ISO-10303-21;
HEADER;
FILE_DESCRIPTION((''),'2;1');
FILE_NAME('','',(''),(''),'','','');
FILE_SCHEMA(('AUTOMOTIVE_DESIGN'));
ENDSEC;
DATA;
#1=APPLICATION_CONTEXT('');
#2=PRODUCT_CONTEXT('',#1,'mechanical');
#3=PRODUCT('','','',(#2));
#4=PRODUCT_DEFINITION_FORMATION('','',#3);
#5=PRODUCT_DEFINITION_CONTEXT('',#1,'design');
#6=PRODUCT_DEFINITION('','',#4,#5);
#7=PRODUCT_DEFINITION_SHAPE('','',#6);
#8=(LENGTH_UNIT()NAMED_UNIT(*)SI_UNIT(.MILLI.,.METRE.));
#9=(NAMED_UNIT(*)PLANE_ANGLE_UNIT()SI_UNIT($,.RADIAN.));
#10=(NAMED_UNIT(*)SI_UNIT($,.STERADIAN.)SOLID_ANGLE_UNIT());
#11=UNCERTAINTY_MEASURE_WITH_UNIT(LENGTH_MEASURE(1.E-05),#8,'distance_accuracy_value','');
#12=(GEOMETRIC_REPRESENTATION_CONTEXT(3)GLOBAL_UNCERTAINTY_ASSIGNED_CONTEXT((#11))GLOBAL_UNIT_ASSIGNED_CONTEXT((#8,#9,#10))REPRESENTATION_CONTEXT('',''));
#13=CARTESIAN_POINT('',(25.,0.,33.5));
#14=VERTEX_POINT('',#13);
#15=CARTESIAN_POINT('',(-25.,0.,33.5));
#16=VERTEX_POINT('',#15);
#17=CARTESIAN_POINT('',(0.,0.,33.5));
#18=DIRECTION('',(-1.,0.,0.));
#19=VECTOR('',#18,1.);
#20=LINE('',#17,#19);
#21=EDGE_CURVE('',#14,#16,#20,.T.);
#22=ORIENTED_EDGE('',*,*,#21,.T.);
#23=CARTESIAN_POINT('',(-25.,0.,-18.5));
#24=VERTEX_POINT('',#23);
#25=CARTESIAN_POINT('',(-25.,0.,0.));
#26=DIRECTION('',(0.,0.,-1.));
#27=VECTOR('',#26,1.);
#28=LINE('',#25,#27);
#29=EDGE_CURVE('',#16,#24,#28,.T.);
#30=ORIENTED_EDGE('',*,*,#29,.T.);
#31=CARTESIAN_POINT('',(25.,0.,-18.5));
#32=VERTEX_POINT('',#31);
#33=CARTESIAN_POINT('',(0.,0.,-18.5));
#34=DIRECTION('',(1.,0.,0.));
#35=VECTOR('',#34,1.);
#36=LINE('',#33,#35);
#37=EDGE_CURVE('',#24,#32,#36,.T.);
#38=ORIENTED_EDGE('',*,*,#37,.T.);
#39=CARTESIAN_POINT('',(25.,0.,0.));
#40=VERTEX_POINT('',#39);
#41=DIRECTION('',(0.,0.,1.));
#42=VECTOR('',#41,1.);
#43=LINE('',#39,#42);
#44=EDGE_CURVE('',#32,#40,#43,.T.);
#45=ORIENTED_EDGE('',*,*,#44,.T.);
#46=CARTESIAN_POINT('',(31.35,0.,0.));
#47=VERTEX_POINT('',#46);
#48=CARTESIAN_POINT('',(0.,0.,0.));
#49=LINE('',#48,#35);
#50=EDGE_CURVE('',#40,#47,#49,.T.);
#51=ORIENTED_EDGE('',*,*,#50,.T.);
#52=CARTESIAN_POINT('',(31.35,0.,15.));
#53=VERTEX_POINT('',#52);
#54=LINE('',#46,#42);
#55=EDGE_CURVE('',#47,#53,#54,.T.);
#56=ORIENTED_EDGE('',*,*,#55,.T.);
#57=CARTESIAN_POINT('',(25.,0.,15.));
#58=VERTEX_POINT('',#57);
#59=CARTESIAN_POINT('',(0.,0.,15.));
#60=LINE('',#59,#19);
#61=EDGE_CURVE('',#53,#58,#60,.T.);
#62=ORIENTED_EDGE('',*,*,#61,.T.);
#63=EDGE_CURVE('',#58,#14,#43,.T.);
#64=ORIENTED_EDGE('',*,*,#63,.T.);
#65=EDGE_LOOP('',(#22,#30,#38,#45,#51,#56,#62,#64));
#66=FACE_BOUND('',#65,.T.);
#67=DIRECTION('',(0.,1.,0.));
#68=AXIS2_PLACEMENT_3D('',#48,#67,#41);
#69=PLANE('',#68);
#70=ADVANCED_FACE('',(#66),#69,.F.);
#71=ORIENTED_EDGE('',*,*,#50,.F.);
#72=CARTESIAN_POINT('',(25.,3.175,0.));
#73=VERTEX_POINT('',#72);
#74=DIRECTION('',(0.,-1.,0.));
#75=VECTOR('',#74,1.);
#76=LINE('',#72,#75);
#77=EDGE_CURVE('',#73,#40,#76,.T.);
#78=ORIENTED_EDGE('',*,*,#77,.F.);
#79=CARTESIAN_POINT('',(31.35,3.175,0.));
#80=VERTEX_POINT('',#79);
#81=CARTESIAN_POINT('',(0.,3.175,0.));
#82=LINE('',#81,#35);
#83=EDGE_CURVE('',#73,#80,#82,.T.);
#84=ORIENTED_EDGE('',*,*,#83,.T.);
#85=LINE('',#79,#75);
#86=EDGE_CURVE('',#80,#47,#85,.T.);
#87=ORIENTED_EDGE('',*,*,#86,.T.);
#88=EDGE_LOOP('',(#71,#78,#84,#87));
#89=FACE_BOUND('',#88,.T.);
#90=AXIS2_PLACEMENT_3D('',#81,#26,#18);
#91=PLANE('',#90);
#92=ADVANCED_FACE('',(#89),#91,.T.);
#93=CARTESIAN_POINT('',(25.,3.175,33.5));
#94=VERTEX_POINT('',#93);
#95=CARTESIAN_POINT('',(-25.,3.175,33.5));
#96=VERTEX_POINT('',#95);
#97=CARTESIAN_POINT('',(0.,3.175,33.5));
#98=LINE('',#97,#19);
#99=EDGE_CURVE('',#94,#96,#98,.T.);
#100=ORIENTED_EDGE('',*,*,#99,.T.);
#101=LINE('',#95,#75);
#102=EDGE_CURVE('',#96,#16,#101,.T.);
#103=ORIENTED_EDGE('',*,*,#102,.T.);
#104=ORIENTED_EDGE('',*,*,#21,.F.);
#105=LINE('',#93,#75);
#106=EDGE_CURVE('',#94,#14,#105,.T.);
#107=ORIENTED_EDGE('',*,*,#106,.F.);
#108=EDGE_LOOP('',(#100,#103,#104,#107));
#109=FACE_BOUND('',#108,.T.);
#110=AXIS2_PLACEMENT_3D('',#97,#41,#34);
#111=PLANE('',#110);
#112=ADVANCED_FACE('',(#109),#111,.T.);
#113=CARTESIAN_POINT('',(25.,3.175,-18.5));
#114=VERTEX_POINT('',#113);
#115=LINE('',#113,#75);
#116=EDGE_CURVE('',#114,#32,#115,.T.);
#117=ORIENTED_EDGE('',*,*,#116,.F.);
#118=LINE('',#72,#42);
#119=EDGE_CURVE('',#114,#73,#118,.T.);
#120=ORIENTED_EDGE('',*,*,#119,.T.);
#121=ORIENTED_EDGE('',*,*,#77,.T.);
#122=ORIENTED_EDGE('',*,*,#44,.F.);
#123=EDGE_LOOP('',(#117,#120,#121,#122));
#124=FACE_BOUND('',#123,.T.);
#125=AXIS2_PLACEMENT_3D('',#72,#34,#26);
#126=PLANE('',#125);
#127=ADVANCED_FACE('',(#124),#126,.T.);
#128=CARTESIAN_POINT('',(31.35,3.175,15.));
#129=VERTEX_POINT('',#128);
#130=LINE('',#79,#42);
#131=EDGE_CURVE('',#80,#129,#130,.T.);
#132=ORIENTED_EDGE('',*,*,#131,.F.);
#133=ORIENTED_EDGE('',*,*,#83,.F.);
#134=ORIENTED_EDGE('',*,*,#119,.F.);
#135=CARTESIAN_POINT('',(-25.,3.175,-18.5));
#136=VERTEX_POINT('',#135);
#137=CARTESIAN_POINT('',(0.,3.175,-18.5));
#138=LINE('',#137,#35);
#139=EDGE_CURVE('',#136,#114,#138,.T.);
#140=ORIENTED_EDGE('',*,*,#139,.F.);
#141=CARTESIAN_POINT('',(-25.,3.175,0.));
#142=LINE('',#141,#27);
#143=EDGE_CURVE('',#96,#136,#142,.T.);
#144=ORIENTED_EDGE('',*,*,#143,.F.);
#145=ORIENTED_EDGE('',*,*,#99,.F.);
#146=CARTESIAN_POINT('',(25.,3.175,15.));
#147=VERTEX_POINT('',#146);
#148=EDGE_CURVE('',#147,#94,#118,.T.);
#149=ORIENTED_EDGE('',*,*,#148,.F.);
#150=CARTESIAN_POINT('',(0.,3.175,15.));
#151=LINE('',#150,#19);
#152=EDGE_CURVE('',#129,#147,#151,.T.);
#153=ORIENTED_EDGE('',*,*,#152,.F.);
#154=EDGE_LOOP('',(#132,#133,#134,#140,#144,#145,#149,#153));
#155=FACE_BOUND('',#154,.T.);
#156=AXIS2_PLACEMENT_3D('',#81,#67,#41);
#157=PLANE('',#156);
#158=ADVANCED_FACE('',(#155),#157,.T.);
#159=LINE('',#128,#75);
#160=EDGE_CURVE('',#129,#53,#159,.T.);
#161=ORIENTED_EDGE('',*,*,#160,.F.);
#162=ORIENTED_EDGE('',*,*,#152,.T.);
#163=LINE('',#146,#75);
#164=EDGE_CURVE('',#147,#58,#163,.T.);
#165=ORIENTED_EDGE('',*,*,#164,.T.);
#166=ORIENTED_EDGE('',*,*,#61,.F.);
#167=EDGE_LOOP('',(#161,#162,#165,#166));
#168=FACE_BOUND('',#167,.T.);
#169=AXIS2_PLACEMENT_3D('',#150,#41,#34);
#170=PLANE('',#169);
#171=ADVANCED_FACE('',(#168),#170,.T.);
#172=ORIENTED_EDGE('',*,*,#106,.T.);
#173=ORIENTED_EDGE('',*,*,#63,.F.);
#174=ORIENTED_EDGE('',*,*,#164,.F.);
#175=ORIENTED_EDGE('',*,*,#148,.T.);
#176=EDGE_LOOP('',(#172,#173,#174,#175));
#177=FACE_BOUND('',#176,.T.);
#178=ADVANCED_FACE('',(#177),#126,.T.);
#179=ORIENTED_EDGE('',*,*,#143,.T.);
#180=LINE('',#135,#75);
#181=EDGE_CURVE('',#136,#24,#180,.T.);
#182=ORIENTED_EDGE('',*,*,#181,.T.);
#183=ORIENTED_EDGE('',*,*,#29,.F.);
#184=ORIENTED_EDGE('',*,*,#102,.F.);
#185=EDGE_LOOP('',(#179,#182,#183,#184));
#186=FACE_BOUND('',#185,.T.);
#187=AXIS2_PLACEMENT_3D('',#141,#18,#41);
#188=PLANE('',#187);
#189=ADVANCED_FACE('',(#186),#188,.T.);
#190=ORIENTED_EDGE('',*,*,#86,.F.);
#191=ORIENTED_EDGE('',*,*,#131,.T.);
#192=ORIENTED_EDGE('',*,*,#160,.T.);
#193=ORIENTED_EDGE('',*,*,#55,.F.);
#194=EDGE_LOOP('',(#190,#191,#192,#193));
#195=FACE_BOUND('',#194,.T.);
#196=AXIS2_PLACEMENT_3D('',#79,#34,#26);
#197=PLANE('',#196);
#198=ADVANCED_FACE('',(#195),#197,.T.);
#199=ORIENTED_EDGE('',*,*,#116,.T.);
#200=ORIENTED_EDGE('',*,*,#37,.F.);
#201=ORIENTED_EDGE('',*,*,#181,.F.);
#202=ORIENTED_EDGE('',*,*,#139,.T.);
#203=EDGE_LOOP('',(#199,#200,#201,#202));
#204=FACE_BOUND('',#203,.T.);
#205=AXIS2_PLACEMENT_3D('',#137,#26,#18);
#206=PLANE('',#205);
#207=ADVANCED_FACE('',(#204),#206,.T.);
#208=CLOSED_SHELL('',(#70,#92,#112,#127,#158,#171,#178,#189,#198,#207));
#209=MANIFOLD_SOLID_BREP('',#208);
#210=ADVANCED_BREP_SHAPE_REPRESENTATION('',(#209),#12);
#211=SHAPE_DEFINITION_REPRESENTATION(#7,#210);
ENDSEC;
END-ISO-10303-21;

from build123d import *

# Parameters (mm, degrees)
BOSS_EXTRUDE1_DEPTH = 3.175


with BuildPart() as part:
    # Sketch1 → Boss-Extrude1 (new body)
    with BuildSketch(Plane(origin=(0, 0, 0), x_dir=(1, 0, 0), z_dir=(0, 1, 0))):
        Polygon((-25, 0), (-25, 18.5), (25, 18.5), (25, 0), (31.35, 0), (31.35, -15), (25, -15), (25, -33.5), (-25, -33.5), (-25, -15), align=None)
    extrude(amount=BOSS_EXTRUDE1_DEPTH)


solid = part.part
